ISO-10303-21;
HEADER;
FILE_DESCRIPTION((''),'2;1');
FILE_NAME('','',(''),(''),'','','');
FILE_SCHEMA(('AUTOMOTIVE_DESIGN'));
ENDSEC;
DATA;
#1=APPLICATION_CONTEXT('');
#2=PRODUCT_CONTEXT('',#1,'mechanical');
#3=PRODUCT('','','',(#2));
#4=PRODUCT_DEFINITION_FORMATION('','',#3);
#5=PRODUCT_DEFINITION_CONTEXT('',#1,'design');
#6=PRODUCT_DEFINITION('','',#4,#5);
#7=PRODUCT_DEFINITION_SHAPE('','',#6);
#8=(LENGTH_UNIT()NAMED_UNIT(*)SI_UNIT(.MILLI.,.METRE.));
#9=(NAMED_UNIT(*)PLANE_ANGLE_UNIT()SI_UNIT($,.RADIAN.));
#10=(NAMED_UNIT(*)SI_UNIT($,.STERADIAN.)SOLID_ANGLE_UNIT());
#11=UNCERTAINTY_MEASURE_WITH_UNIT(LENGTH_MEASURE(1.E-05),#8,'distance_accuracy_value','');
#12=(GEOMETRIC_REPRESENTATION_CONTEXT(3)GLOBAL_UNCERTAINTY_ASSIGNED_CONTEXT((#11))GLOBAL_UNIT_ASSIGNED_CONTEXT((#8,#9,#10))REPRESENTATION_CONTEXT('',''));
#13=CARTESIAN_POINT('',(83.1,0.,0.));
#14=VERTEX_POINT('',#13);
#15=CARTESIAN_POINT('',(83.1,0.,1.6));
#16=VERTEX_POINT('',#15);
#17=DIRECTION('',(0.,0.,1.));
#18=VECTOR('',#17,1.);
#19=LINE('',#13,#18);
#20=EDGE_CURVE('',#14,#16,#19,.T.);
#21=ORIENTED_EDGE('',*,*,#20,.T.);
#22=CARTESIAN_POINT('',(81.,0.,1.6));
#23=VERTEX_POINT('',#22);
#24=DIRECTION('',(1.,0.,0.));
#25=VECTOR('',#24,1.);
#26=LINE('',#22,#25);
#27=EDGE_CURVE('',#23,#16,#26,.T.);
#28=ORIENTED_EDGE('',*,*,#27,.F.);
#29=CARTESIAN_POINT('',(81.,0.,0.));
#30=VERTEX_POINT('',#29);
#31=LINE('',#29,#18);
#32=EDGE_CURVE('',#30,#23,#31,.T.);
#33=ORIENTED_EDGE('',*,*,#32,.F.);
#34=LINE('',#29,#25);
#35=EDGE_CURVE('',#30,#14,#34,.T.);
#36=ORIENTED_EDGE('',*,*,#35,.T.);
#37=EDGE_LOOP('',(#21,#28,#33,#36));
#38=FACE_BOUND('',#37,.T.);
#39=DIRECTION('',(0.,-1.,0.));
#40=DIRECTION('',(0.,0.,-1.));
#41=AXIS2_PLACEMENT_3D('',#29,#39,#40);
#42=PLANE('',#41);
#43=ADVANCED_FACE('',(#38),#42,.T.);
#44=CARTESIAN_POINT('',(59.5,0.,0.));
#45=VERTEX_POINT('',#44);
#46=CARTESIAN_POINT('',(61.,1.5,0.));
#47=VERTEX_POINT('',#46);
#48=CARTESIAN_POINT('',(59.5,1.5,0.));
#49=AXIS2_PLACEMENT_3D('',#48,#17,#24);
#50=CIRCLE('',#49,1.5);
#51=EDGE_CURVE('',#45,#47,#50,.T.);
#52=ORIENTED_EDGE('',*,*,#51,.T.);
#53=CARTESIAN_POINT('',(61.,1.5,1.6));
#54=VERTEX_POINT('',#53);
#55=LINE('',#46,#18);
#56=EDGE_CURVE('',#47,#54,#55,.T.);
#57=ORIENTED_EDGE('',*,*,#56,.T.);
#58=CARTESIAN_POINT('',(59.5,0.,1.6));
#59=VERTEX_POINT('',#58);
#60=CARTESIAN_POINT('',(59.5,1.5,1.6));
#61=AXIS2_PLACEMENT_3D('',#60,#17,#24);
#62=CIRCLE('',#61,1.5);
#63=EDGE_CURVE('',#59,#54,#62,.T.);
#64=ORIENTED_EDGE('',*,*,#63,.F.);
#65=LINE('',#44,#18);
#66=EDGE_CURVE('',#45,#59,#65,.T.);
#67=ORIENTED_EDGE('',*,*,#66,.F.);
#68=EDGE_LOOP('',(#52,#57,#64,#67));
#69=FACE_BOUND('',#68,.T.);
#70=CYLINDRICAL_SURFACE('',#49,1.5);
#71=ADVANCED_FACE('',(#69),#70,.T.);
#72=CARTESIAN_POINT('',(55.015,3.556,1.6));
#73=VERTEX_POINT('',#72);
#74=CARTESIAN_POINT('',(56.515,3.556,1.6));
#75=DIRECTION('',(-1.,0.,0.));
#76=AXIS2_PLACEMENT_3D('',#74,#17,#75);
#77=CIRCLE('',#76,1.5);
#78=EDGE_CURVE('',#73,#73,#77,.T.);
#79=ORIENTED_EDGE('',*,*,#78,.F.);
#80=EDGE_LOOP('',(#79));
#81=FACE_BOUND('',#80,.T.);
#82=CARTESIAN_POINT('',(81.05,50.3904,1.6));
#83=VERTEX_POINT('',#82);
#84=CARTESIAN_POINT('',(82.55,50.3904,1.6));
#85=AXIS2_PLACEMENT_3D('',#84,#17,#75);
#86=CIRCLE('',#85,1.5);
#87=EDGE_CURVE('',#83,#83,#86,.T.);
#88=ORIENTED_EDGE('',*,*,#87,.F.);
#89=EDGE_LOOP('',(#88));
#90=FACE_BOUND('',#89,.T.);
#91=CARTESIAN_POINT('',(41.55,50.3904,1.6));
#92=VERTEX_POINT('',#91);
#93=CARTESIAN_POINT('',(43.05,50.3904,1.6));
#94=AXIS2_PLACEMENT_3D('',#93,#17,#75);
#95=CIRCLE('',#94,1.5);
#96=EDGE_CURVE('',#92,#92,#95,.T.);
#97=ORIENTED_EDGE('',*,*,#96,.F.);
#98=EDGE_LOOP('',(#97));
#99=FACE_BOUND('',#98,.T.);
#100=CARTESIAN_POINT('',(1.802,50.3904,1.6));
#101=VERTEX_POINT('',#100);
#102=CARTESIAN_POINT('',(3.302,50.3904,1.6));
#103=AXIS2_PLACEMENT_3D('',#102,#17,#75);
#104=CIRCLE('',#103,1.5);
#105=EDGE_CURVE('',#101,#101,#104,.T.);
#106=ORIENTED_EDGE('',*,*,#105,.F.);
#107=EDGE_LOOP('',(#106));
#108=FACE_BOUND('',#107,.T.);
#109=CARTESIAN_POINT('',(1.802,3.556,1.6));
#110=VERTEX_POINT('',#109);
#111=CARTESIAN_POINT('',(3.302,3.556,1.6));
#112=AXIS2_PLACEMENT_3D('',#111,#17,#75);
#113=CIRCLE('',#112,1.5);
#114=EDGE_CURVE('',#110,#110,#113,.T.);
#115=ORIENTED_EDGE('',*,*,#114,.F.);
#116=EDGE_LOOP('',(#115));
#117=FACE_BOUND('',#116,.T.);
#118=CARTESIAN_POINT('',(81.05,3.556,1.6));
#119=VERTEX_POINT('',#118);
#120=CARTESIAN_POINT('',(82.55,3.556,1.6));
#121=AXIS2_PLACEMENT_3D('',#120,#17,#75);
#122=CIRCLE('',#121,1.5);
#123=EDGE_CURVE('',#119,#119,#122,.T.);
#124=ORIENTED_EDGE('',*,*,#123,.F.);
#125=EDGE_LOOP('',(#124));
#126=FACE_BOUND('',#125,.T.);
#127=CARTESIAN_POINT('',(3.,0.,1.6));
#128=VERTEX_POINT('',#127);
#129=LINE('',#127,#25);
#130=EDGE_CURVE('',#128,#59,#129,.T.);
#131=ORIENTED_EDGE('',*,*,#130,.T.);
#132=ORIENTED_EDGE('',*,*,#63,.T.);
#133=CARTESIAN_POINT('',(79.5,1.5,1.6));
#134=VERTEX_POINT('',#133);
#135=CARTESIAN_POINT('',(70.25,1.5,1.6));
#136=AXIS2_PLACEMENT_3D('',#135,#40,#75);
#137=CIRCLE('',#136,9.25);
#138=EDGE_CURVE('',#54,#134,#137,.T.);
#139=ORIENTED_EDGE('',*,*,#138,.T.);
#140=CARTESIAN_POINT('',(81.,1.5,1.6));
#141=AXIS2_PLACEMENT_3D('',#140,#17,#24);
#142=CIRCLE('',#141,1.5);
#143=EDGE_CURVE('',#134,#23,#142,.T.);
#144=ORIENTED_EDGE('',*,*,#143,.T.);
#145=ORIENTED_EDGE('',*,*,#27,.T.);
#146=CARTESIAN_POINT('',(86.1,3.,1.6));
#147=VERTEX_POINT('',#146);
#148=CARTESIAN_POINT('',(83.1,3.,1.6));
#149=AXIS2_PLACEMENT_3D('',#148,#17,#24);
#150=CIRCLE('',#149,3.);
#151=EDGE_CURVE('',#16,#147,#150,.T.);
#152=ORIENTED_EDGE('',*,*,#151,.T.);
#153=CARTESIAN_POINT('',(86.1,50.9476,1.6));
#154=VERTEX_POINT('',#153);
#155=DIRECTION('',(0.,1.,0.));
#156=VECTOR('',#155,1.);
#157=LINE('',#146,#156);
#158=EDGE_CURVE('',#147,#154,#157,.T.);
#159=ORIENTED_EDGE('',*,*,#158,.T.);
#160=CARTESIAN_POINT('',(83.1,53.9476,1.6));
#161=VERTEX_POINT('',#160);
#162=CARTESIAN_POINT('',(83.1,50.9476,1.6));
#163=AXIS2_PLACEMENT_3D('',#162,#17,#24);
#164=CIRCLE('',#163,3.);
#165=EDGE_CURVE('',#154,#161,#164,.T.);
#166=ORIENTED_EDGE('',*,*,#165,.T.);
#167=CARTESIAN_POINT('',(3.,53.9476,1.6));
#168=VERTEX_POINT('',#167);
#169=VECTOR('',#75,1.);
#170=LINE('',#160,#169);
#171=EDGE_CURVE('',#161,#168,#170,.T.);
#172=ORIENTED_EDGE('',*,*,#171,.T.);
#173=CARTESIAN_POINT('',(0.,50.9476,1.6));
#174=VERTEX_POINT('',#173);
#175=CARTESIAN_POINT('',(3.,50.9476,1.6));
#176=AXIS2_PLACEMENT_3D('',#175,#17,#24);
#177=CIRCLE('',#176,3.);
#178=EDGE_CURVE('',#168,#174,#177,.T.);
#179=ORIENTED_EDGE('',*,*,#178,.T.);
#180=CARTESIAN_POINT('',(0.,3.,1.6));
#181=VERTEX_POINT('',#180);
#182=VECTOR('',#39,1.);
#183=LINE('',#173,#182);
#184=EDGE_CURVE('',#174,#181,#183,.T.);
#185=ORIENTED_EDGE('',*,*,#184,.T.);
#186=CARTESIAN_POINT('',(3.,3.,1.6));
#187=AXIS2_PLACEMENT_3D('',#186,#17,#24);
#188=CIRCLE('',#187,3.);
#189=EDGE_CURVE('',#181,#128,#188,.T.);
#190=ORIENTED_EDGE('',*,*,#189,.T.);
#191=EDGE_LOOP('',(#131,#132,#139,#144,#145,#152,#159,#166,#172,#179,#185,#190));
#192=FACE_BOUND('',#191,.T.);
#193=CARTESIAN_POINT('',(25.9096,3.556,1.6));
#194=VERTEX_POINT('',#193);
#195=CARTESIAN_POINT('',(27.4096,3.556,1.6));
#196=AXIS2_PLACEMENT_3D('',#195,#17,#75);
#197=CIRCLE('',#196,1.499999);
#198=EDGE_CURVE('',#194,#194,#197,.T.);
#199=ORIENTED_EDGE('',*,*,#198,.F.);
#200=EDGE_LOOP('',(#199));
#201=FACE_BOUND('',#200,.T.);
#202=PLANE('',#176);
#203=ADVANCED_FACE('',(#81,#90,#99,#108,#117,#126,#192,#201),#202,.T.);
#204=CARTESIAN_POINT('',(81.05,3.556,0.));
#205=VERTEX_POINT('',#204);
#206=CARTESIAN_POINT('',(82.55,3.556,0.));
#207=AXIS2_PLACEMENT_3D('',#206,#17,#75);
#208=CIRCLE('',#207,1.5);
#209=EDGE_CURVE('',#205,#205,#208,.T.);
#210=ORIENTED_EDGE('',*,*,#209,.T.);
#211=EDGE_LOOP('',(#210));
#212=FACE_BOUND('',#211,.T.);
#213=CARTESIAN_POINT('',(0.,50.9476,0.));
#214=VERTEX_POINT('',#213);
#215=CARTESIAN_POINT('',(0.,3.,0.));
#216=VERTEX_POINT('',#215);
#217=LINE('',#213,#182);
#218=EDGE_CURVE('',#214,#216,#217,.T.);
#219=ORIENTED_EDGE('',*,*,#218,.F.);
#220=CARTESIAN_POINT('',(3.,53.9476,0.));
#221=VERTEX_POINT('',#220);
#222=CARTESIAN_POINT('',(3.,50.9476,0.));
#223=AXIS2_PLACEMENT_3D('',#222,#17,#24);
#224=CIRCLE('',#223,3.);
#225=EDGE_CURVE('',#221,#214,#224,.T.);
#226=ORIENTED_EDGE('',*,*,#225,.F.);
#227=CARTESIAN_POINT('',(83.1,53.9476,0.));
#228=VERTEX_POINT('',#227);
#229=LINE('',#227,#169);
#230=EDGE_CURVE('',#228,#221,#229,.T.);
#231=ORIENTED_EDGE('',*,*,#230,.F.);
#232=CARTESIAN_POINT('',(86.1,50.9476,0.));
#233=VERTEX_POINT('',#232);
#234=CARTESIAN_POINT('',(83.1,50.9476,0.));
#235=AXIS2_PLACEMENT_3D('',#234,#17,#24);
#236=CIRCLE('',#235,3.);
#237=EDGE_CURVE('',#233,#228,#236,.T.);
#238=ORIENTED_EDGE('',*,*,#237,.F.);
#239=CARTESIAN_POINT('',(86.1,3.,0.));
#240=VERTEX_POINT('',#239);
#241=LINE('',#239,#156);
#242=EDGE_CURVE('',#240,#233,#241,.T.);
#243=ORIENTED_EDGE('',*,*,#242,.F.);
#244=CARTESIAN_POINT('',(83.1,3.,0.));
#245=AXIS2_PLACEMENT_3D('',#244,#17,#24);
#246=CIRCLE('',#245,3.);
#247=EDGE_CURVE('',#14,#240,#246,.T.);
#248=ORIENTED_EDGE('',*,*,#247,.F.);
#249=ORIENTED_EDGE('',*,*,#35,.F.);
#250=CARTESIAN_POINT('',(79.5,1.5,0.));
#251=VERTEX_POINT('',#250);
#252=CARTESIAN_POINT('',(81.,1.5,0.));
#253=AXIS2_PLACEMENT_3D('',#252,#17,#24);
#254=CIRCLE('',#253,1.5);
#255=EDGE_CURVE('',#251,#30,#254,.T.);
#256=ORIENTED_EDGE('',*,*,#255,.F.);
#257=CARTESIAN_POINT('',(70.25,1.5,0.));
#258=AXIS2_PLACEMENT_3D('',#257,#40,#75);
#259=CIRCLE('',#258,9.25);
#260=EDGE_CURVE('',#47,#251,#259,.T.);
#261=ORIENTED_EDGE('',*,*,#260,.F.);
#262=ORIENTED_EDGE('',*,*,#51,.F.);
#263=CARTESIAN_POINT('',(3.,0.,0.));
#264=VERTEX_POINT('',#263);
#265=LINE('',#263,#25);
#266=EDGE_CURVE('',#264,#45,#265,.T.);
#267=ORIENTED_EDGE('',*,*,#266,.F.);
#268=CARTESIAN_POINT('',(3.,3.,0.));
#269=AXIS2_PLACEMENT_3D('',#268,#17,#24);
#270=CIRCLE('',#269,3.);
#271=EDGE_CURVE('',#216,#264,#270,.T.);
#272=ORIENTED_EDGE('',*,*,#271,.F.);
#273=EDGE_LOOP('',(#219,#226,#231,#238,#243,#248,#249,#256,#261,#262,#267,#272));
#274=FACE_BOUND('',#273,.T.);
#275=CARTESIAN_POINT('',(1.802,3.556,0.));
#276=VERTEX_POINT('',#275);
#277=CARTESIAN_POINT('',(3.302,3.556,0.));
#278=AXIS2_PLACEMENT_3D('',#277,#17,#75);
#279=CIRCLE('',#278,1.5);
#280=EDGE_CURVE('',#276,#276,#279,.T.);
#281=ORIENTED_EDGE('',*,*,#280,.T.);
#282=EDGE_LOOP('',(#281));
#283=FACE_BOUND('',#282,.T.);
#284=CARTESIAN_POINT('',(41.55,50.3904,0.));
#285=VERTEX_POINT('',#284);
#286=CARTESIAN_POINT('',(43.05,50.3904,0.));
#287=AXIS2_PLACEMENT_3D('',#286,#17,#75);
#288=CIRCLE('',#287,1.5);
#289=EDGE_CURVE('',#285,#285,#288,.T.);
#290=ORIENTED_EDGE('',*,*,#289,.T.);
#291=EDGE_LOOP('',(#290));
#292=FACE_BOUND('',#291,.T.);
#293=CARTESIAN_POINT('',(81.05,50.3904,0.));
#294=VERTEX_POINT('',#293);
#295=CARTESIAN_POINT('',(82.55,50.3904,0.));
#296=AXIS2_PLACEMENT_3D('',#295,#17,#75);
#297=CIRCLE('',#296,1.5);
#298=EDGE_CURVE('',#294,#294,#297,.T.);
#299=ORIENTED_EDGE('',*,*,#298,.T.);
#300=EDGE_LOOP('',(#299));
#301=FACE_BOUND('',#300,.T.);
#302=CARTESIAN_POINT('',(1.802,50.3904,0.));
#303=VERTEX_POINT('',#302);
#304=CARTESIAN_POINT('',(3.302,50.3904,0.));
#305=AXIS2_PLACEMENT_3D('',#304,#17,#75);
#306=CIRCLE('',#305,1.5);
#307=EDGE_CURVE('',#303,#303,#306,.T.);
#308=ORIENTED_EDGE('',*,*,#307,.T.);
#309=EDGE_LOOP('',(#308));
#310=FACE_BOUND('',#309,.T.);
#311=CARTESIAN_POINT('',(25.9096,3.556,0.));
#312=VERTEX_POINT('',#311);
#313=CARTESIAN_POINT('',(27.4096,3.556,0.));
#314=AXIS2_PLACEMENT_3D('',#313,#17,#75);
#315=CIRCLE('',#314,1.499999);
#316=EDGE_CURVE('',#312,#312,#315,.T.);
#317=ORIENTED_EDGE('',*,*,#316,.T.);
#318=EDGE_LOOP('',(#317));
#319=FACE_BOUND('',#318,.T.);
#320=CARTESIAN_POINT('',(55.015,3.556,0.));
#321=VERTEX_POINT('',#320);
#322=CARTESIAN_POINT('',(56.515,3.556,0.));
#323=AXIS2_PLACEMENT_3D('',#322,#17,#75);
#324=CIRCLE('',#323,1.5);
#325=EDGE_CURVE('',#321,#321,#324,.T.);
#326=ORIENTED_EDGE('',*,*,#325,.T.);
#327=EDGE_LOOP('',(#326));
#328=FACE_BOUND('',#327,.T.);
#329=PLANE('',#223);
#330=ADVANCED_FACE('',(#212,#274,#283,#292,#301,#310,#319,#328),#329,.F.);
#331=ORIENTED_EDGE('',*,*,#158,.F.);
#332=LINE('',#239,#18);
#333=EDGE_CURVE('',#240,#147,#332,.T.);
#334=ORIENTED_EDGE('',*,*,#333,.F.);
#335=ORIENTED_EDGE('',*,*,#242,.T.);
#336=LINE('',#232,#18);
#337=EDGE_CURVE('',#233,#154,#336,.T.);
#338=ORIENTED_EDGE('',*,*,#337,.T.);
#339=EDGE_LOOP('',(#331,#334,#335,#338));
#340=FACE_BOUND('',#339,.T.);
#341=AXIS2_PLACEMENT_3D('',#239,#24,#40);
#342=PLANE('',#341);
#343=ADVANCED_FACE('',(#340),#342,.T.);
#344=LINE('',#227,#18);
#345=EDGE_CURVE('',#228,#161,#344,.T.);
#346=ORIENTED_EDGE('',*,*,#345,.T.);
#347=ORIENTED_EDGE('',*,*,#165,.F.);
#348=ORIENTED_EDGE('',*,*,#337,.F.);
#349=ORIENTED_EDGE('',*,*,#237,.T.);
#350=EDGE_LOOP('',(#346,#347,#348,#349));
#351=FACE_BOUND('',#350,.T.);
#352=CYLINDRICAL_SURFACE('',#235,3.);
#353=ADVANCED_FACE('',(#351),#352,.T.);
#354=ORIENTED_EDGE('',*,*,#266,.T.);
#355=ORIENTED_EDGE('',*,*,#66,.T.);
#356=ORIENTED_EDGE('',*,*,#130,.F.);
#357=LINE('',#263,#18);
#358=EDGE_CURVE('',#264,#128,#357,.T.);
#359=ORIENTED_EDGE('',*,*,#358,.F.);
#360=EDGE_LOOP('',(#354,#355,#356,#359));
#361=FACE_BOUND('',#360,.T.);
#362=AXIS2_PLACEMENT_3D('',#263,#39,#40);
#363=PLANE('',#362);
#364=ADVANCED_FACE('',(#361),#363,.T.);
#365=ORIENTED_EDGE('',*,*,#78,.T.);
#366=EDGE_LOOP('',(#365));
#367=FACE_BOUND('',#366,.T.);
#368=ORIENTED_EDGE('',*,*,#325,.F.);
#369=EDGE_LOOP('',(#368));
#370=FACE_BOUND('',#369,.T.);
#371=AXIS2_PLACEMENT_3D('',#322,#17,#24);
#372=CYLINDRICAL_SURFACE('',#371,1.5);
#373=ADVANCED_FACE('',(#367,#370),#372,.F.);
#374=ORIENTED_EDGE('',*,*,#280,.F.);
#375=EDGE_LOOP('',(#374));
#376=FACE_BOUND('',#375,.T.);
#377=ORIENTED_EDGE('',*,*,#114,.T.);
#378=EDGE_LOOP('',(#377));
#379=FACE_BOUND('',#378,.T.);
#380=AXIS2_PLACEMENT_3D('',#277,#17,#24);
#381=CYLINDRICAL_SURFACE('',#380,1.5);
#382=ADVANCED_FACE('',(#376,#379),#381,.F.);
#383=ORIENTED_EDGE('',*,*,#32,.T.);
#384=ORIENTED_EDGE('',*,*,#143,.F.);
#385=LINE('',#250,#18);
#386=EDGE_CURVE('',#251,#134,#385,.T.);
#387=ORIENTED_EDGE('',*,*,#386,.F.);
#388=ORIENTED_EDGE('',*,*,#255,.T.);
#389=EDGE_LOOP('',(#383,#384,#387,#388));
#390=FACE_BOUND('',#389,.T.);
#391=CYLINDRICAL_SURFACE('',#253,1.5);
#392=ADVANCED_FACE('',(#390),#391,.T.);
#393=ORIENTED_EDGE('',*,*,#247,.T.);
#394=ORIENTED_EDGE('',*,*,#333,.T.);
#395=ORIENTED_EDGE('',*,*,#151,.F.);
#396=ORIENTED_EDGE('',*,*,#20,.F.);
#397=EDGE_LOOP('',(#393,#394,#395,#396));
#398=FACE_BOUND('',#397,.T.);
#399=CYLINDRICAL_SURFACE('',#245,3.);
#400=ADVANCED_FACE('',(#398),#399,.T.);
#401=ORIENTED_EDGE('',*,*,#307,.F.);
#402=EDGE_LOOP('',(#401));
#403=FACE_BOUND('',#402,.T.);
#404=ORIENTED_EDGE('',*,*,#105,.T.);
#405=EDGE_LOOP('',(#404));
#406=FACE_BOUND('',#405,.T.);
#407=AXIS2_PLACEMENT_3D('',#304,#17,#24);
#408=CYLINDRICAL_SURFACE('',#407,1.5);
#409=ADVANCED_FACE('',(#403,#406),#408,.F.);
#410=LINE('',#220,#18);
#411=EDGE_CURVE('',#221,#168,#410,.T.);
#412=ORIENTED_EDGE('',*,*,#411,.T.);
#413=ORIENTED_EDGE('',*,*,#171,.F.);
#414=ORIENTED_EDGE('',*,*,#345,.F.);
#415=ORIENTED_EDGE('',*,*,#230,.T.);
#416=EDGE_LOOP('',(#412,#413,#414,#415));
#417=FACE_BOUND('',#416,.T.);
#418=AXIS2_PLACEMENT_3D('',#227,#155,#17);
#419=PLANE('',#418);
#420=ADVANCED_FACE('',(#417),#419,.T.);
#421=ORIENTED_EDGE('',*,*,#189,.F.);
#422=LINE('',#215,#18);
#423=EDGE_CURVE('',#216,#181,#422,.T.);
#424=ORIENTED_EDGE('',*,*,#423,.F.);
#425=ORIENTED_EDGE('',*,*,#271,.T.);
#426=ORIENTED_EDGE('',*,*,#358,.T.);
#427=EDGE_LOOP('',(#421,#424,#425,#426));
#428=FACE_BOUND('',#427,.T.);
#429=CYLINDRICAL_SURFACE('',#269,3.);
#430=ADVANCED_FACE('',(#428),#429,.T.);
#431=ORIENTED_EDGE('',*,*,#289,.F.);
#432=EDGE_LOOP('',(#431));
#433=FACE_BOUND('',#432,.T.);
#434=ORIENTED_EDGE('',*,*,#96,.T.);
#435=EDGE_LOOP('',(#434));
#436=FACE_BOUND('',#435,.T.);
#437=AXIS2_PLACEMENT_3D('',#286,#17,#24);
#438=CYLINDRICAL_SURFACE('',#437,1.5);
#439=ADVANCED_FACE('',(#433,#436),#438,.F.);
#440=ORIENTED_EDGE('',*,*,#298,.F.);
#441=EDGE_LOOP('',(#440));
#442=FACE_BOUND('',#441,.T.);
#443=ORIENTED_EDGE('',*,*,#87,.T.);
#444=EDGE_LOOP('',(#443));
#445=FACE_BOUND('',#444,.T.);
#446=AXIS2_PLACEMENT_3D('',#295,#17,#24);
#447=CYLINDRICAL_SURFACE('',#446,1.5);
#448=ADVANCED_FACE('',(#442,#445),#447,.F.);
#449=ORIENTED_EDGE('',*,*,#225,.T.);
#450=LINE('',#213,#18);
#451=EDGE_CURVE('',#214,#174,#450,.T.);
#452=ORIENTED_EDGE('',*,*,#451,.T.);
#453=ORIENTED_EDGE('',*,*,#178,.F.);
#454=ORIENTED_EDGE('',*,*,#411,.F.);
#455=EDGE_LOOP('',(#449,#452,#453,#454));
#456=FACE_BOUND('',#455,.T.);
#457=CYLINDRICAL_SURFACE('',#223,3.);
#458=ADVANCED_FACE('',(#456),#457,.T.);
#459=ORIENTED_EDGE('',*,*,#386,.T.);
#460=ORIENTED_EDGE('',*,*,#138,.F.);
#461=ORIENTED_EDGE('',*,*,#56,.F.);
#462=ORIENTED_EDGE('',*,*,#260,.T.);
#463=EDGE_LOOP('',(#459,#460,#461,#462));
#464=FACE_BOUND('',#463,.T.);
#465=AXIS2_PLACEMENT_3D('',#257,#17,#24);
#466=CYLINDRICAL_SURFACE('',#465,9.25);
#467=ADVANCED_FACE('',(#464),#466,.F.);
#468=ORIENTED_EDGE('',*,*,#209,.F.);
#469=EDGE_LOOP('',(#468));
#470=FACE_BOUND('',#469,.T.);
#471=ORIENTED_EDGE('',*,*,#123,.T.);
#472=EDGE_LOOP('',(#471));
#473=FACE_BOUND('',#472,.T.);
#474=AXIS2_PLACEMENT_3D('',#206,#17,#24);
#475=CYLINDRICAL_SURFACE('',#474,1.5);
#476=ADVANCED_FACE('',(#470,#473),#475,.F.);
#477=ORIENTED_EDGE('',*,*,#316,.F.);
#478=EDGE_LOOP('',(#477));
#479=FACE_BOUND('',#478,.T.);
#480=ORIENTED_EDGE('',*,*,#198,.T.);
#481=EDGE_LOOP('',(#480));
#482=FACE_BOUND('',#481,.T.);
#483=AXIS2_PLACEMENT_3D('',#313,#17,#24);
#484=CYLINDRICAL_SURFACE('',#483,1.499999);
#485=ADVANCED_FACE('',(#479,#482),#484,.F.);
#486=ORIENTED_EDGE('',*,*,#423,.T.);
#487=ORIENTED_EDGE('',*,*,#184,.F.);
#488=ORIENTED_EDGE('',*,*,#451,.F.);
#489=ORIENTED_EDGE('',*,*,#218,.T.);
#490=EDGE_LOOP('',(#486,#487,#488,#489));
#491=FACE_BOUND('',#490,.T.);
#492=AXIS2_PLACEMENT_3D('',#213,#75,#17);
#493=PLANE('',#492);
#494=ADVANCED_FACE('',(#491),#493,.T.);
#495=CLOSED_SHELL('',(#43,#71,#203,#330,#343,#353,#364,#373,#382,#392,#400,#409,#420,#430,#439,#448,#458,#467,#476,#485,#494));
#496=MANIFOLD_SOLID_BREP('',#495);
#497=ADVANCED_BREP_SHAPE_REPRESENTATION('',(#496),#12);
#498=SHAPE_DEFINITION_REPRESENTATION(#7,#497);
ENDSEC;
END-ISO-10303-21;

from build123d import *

# Parameters (mm, degrees)
SKETCH1_R           = 1.5
SKETCH1_R_2         = 1.4999995
BOSS_EXTRUDE1_DEPTH = 1.6


with BuildPart() as part:
    # Sketch1 → Boss-Extrude1 (new body)
    with BuildSketch(Plane.XY.offset(1.6)):
        with BuildLine():
            Line((0, 50.9476), (0, 3))
            ThreePointArc((0, 3), (0.878679656, 0.878679656), (3, 0))
            Line((3, 0), (59.5, 0))
            ThreePointArc((59.5, 0), (60.560660172, 0.439339828), (61, 1.5))
            ThreePointArc((61, 1.5), (70.25, 10.75), (79.5, 1.5))
            ThreePointArc((79.5, 1.5), (79.939339828, 0.439339828), (81, 0))
            Line((81, 0), (83.1, 0))
            ThreePointArc((83.1, 0), (85.221320344, 0.878679656), (86.1, 3))
            Line((86.1, 3), (86.1, 50.9476))
            ThreePointArc((86.1, 50.9476), (85.221320344, 53.068920344), (83.1, 53.9476))
            Line((83.1, 53.9476), (3, 53.9476))
            ThreePointArc((3, 53.9476), (0.878679656, 53.068920344), (0, 50.9476))
        make_face()
        with Locations((3.302, 50.3904)):
            Circle(SKETCH1_R, mode=Mode.SUBTRACT)
        with Locations((3.302, 3.556)):
            Circle(SKETCH1_R, mode=Mode.SUBTRACT)
        with Locations((82.55, 3.556)):
            Circle(SKETCH1_R, mode=Mode.SUBTRACT)
        with Locations((82.55, 50.3904)):
            Circle(SKETCH1_R, mode=Mode.SUBTRACT)
        with Locations((27.4096, 3.556)):
            Circle(SKETCH1_R_2, mode=Mode.SUBTRACT)
        with Locations((56.515, 3.556)):
            Circle(SKETCH1_R, mode=Mode.SUBTRACT)
        with Locations((43.05, 50.3904)):
            Circle(SKETCH1_R, mode=Mode.SUBTRACT)
    extrude(amount=-BOSS_EXTRUDE1_DEPTH)


solid = part.part
